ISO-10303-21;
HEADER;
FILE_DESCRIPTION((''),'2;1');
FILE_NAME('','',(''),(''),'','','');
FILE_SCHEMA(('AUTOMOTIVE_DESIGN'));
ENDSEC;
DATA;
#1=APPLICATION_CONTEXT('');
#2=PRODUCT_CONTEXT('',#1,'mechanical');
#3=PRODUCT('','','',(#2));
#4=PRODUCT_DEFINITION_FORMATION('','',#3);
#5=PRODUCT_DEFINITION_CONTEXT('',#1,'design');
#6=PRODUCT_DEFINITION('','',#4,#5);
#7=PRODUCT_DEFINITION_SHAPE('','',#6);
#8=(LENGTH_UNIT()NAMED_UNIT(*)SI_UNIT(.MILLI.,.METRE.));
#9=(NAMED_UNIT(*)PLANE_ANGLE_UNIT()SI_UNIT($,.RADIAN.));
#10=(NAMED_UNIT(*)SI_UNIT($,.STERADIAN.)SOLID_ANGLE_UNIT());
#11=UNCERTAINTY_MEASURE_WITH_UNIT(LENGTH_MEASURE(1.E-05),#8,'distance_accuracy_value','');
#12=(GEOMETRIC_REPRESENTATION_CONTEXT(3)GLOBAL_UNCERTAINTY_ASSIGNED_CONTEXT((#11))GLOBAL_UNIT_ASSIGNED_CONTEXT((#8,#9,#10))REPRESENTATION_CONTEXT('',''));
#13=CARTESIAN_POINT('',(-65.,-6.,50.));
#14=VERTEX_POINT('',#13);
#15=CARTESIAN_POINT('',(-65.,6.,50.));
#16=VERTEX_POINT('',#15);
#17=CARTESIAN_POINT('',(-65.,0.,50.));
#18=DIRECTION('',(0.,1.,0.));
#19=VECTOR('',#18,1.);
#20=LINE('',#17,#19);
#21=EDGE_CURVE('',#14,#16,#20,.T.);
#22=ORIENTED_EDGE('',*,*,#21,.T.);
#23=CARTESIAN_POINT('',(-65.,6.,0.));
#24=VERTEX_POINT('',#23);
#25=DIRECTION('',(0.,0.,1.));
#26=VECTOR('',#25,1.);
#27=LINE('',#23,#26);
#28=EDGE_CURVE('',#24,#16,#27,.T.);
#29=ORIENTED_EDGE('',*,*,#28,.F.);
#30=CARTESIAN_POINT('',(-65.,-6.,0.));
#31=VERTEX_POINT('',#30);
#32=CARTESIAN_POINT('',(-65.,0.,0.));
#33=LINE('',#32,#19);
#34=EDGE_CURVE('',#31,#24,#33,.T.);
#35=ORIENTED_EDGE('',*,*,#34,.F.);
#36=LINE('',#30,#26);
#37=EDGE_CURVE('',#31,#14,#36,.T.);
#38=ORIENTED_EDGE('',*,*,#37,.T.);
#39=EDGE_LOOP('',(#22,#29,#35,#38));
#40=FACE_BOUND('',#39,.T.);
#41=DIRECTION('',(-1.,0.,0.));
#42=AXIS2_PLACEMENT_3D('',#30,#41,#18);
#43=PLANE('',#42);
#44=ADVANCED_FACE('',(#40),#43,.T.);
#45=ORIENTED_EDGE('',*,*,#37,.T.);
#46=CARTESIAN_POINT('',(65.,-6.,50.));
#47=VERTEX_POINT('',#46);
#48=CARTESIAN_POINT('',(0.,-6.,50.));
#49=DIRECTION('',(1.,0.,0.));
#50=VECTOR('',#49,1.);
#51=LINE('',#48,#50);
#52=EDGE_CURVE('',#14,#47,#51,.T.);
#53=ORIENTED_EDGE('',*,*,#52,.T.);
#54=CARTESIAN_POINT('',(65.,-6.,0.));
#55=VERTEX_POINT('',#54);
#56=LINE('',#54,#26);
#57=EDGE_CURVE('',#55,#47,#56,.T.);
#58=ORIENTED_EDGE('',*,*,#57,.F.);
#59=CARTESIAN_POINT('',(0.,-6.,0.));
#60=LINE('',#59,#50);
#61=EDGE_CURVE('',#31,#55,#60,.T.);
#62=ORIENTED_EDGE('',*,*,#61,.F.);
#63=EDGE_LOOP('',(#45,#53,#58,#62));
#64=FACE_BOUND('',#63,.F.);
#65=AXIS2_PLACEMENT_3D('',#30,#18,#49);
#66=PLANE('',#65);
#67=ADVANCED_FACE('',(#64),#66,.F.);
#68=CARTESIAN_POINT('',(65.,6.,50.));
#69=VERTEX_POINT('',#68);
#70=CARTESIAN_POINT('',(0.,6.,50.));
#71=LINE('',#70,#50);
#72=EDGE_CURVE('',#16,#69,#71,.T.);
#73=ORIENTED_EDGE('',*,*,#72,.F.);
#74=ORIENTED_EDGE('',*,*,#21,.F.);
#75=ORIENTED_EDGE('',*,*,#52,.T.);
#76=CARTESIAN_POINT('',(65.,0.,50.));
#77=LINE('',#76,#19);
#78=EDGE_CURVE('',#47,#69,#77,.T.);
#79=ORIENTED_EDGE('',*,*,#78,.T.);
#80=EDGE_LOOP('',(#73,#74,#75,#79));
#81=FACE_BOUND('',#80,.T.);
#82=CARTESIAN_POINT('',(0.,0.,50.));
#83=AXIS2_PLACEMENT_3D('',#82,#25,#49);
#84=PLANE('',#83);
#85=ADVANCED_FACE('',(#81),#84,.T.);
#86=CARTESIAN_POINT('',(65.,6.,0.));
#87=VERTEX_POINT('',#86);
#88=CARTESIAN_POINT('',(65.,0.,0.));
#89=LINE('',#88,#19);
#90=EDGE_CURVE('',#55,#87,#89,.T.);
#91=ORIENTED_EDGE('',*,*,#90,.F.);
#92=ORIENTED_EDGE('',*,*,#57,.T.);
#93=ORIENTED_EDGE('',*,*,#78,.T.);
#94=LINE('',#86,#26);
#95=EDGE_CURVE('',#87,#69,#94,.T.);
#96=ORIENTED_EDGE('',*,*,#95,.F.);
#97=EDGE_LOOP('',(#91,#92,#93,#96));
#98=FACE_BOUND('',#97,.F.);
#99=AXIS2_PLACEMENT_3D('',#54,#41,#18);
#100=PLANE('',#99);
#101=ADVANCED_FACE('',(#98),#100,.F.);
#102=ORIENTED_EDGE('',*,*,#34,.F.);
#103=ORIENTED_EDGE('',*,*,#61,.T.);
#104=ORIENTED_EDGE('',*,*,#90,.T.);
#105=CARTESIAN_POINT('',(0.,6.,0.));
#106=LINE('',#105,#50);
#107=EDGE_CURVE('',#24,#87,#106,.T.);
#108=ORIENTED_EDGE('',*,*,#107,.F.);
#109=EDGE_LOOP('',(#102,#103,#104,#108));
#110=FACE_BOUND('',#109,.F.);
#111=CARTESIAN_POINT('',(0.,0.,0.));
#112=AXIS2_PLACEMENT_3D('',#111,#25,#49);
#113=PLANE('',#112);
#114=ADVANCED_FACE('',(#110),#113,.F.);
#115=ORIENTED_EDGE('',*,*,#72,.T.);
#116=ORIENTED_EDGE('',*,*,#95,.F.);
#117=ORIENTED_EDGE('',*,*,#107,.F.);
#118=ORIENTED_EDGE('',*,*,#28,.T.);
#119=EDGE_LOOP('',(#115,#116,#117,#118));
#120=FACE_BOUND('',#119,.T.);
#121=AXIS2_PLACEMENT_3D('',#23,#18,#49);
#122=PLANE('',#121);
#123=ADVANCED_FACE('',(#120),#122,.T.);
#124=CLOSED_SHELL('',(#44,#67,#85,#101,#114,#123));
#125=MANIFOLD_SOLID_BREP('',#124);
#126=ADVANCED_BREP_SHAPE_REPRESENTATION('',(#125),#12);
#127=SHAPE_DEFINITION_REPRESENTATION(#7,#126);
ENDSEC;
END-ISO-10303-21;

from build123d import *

# Parameters (mm, degrees)
SKETCH_W      = 130
SKETCH_H      = 12
EXTRUDE_DEPTH = 50


with BuildPart() as part:
    # Sketch → Extrude (new body)
    with BuildSketch(Plane.XY):
        Rectangle(SKETCH_W, SKETCH_H)
    extrude(amount=EXTRUDE_DEPTH)


solid = part.part
